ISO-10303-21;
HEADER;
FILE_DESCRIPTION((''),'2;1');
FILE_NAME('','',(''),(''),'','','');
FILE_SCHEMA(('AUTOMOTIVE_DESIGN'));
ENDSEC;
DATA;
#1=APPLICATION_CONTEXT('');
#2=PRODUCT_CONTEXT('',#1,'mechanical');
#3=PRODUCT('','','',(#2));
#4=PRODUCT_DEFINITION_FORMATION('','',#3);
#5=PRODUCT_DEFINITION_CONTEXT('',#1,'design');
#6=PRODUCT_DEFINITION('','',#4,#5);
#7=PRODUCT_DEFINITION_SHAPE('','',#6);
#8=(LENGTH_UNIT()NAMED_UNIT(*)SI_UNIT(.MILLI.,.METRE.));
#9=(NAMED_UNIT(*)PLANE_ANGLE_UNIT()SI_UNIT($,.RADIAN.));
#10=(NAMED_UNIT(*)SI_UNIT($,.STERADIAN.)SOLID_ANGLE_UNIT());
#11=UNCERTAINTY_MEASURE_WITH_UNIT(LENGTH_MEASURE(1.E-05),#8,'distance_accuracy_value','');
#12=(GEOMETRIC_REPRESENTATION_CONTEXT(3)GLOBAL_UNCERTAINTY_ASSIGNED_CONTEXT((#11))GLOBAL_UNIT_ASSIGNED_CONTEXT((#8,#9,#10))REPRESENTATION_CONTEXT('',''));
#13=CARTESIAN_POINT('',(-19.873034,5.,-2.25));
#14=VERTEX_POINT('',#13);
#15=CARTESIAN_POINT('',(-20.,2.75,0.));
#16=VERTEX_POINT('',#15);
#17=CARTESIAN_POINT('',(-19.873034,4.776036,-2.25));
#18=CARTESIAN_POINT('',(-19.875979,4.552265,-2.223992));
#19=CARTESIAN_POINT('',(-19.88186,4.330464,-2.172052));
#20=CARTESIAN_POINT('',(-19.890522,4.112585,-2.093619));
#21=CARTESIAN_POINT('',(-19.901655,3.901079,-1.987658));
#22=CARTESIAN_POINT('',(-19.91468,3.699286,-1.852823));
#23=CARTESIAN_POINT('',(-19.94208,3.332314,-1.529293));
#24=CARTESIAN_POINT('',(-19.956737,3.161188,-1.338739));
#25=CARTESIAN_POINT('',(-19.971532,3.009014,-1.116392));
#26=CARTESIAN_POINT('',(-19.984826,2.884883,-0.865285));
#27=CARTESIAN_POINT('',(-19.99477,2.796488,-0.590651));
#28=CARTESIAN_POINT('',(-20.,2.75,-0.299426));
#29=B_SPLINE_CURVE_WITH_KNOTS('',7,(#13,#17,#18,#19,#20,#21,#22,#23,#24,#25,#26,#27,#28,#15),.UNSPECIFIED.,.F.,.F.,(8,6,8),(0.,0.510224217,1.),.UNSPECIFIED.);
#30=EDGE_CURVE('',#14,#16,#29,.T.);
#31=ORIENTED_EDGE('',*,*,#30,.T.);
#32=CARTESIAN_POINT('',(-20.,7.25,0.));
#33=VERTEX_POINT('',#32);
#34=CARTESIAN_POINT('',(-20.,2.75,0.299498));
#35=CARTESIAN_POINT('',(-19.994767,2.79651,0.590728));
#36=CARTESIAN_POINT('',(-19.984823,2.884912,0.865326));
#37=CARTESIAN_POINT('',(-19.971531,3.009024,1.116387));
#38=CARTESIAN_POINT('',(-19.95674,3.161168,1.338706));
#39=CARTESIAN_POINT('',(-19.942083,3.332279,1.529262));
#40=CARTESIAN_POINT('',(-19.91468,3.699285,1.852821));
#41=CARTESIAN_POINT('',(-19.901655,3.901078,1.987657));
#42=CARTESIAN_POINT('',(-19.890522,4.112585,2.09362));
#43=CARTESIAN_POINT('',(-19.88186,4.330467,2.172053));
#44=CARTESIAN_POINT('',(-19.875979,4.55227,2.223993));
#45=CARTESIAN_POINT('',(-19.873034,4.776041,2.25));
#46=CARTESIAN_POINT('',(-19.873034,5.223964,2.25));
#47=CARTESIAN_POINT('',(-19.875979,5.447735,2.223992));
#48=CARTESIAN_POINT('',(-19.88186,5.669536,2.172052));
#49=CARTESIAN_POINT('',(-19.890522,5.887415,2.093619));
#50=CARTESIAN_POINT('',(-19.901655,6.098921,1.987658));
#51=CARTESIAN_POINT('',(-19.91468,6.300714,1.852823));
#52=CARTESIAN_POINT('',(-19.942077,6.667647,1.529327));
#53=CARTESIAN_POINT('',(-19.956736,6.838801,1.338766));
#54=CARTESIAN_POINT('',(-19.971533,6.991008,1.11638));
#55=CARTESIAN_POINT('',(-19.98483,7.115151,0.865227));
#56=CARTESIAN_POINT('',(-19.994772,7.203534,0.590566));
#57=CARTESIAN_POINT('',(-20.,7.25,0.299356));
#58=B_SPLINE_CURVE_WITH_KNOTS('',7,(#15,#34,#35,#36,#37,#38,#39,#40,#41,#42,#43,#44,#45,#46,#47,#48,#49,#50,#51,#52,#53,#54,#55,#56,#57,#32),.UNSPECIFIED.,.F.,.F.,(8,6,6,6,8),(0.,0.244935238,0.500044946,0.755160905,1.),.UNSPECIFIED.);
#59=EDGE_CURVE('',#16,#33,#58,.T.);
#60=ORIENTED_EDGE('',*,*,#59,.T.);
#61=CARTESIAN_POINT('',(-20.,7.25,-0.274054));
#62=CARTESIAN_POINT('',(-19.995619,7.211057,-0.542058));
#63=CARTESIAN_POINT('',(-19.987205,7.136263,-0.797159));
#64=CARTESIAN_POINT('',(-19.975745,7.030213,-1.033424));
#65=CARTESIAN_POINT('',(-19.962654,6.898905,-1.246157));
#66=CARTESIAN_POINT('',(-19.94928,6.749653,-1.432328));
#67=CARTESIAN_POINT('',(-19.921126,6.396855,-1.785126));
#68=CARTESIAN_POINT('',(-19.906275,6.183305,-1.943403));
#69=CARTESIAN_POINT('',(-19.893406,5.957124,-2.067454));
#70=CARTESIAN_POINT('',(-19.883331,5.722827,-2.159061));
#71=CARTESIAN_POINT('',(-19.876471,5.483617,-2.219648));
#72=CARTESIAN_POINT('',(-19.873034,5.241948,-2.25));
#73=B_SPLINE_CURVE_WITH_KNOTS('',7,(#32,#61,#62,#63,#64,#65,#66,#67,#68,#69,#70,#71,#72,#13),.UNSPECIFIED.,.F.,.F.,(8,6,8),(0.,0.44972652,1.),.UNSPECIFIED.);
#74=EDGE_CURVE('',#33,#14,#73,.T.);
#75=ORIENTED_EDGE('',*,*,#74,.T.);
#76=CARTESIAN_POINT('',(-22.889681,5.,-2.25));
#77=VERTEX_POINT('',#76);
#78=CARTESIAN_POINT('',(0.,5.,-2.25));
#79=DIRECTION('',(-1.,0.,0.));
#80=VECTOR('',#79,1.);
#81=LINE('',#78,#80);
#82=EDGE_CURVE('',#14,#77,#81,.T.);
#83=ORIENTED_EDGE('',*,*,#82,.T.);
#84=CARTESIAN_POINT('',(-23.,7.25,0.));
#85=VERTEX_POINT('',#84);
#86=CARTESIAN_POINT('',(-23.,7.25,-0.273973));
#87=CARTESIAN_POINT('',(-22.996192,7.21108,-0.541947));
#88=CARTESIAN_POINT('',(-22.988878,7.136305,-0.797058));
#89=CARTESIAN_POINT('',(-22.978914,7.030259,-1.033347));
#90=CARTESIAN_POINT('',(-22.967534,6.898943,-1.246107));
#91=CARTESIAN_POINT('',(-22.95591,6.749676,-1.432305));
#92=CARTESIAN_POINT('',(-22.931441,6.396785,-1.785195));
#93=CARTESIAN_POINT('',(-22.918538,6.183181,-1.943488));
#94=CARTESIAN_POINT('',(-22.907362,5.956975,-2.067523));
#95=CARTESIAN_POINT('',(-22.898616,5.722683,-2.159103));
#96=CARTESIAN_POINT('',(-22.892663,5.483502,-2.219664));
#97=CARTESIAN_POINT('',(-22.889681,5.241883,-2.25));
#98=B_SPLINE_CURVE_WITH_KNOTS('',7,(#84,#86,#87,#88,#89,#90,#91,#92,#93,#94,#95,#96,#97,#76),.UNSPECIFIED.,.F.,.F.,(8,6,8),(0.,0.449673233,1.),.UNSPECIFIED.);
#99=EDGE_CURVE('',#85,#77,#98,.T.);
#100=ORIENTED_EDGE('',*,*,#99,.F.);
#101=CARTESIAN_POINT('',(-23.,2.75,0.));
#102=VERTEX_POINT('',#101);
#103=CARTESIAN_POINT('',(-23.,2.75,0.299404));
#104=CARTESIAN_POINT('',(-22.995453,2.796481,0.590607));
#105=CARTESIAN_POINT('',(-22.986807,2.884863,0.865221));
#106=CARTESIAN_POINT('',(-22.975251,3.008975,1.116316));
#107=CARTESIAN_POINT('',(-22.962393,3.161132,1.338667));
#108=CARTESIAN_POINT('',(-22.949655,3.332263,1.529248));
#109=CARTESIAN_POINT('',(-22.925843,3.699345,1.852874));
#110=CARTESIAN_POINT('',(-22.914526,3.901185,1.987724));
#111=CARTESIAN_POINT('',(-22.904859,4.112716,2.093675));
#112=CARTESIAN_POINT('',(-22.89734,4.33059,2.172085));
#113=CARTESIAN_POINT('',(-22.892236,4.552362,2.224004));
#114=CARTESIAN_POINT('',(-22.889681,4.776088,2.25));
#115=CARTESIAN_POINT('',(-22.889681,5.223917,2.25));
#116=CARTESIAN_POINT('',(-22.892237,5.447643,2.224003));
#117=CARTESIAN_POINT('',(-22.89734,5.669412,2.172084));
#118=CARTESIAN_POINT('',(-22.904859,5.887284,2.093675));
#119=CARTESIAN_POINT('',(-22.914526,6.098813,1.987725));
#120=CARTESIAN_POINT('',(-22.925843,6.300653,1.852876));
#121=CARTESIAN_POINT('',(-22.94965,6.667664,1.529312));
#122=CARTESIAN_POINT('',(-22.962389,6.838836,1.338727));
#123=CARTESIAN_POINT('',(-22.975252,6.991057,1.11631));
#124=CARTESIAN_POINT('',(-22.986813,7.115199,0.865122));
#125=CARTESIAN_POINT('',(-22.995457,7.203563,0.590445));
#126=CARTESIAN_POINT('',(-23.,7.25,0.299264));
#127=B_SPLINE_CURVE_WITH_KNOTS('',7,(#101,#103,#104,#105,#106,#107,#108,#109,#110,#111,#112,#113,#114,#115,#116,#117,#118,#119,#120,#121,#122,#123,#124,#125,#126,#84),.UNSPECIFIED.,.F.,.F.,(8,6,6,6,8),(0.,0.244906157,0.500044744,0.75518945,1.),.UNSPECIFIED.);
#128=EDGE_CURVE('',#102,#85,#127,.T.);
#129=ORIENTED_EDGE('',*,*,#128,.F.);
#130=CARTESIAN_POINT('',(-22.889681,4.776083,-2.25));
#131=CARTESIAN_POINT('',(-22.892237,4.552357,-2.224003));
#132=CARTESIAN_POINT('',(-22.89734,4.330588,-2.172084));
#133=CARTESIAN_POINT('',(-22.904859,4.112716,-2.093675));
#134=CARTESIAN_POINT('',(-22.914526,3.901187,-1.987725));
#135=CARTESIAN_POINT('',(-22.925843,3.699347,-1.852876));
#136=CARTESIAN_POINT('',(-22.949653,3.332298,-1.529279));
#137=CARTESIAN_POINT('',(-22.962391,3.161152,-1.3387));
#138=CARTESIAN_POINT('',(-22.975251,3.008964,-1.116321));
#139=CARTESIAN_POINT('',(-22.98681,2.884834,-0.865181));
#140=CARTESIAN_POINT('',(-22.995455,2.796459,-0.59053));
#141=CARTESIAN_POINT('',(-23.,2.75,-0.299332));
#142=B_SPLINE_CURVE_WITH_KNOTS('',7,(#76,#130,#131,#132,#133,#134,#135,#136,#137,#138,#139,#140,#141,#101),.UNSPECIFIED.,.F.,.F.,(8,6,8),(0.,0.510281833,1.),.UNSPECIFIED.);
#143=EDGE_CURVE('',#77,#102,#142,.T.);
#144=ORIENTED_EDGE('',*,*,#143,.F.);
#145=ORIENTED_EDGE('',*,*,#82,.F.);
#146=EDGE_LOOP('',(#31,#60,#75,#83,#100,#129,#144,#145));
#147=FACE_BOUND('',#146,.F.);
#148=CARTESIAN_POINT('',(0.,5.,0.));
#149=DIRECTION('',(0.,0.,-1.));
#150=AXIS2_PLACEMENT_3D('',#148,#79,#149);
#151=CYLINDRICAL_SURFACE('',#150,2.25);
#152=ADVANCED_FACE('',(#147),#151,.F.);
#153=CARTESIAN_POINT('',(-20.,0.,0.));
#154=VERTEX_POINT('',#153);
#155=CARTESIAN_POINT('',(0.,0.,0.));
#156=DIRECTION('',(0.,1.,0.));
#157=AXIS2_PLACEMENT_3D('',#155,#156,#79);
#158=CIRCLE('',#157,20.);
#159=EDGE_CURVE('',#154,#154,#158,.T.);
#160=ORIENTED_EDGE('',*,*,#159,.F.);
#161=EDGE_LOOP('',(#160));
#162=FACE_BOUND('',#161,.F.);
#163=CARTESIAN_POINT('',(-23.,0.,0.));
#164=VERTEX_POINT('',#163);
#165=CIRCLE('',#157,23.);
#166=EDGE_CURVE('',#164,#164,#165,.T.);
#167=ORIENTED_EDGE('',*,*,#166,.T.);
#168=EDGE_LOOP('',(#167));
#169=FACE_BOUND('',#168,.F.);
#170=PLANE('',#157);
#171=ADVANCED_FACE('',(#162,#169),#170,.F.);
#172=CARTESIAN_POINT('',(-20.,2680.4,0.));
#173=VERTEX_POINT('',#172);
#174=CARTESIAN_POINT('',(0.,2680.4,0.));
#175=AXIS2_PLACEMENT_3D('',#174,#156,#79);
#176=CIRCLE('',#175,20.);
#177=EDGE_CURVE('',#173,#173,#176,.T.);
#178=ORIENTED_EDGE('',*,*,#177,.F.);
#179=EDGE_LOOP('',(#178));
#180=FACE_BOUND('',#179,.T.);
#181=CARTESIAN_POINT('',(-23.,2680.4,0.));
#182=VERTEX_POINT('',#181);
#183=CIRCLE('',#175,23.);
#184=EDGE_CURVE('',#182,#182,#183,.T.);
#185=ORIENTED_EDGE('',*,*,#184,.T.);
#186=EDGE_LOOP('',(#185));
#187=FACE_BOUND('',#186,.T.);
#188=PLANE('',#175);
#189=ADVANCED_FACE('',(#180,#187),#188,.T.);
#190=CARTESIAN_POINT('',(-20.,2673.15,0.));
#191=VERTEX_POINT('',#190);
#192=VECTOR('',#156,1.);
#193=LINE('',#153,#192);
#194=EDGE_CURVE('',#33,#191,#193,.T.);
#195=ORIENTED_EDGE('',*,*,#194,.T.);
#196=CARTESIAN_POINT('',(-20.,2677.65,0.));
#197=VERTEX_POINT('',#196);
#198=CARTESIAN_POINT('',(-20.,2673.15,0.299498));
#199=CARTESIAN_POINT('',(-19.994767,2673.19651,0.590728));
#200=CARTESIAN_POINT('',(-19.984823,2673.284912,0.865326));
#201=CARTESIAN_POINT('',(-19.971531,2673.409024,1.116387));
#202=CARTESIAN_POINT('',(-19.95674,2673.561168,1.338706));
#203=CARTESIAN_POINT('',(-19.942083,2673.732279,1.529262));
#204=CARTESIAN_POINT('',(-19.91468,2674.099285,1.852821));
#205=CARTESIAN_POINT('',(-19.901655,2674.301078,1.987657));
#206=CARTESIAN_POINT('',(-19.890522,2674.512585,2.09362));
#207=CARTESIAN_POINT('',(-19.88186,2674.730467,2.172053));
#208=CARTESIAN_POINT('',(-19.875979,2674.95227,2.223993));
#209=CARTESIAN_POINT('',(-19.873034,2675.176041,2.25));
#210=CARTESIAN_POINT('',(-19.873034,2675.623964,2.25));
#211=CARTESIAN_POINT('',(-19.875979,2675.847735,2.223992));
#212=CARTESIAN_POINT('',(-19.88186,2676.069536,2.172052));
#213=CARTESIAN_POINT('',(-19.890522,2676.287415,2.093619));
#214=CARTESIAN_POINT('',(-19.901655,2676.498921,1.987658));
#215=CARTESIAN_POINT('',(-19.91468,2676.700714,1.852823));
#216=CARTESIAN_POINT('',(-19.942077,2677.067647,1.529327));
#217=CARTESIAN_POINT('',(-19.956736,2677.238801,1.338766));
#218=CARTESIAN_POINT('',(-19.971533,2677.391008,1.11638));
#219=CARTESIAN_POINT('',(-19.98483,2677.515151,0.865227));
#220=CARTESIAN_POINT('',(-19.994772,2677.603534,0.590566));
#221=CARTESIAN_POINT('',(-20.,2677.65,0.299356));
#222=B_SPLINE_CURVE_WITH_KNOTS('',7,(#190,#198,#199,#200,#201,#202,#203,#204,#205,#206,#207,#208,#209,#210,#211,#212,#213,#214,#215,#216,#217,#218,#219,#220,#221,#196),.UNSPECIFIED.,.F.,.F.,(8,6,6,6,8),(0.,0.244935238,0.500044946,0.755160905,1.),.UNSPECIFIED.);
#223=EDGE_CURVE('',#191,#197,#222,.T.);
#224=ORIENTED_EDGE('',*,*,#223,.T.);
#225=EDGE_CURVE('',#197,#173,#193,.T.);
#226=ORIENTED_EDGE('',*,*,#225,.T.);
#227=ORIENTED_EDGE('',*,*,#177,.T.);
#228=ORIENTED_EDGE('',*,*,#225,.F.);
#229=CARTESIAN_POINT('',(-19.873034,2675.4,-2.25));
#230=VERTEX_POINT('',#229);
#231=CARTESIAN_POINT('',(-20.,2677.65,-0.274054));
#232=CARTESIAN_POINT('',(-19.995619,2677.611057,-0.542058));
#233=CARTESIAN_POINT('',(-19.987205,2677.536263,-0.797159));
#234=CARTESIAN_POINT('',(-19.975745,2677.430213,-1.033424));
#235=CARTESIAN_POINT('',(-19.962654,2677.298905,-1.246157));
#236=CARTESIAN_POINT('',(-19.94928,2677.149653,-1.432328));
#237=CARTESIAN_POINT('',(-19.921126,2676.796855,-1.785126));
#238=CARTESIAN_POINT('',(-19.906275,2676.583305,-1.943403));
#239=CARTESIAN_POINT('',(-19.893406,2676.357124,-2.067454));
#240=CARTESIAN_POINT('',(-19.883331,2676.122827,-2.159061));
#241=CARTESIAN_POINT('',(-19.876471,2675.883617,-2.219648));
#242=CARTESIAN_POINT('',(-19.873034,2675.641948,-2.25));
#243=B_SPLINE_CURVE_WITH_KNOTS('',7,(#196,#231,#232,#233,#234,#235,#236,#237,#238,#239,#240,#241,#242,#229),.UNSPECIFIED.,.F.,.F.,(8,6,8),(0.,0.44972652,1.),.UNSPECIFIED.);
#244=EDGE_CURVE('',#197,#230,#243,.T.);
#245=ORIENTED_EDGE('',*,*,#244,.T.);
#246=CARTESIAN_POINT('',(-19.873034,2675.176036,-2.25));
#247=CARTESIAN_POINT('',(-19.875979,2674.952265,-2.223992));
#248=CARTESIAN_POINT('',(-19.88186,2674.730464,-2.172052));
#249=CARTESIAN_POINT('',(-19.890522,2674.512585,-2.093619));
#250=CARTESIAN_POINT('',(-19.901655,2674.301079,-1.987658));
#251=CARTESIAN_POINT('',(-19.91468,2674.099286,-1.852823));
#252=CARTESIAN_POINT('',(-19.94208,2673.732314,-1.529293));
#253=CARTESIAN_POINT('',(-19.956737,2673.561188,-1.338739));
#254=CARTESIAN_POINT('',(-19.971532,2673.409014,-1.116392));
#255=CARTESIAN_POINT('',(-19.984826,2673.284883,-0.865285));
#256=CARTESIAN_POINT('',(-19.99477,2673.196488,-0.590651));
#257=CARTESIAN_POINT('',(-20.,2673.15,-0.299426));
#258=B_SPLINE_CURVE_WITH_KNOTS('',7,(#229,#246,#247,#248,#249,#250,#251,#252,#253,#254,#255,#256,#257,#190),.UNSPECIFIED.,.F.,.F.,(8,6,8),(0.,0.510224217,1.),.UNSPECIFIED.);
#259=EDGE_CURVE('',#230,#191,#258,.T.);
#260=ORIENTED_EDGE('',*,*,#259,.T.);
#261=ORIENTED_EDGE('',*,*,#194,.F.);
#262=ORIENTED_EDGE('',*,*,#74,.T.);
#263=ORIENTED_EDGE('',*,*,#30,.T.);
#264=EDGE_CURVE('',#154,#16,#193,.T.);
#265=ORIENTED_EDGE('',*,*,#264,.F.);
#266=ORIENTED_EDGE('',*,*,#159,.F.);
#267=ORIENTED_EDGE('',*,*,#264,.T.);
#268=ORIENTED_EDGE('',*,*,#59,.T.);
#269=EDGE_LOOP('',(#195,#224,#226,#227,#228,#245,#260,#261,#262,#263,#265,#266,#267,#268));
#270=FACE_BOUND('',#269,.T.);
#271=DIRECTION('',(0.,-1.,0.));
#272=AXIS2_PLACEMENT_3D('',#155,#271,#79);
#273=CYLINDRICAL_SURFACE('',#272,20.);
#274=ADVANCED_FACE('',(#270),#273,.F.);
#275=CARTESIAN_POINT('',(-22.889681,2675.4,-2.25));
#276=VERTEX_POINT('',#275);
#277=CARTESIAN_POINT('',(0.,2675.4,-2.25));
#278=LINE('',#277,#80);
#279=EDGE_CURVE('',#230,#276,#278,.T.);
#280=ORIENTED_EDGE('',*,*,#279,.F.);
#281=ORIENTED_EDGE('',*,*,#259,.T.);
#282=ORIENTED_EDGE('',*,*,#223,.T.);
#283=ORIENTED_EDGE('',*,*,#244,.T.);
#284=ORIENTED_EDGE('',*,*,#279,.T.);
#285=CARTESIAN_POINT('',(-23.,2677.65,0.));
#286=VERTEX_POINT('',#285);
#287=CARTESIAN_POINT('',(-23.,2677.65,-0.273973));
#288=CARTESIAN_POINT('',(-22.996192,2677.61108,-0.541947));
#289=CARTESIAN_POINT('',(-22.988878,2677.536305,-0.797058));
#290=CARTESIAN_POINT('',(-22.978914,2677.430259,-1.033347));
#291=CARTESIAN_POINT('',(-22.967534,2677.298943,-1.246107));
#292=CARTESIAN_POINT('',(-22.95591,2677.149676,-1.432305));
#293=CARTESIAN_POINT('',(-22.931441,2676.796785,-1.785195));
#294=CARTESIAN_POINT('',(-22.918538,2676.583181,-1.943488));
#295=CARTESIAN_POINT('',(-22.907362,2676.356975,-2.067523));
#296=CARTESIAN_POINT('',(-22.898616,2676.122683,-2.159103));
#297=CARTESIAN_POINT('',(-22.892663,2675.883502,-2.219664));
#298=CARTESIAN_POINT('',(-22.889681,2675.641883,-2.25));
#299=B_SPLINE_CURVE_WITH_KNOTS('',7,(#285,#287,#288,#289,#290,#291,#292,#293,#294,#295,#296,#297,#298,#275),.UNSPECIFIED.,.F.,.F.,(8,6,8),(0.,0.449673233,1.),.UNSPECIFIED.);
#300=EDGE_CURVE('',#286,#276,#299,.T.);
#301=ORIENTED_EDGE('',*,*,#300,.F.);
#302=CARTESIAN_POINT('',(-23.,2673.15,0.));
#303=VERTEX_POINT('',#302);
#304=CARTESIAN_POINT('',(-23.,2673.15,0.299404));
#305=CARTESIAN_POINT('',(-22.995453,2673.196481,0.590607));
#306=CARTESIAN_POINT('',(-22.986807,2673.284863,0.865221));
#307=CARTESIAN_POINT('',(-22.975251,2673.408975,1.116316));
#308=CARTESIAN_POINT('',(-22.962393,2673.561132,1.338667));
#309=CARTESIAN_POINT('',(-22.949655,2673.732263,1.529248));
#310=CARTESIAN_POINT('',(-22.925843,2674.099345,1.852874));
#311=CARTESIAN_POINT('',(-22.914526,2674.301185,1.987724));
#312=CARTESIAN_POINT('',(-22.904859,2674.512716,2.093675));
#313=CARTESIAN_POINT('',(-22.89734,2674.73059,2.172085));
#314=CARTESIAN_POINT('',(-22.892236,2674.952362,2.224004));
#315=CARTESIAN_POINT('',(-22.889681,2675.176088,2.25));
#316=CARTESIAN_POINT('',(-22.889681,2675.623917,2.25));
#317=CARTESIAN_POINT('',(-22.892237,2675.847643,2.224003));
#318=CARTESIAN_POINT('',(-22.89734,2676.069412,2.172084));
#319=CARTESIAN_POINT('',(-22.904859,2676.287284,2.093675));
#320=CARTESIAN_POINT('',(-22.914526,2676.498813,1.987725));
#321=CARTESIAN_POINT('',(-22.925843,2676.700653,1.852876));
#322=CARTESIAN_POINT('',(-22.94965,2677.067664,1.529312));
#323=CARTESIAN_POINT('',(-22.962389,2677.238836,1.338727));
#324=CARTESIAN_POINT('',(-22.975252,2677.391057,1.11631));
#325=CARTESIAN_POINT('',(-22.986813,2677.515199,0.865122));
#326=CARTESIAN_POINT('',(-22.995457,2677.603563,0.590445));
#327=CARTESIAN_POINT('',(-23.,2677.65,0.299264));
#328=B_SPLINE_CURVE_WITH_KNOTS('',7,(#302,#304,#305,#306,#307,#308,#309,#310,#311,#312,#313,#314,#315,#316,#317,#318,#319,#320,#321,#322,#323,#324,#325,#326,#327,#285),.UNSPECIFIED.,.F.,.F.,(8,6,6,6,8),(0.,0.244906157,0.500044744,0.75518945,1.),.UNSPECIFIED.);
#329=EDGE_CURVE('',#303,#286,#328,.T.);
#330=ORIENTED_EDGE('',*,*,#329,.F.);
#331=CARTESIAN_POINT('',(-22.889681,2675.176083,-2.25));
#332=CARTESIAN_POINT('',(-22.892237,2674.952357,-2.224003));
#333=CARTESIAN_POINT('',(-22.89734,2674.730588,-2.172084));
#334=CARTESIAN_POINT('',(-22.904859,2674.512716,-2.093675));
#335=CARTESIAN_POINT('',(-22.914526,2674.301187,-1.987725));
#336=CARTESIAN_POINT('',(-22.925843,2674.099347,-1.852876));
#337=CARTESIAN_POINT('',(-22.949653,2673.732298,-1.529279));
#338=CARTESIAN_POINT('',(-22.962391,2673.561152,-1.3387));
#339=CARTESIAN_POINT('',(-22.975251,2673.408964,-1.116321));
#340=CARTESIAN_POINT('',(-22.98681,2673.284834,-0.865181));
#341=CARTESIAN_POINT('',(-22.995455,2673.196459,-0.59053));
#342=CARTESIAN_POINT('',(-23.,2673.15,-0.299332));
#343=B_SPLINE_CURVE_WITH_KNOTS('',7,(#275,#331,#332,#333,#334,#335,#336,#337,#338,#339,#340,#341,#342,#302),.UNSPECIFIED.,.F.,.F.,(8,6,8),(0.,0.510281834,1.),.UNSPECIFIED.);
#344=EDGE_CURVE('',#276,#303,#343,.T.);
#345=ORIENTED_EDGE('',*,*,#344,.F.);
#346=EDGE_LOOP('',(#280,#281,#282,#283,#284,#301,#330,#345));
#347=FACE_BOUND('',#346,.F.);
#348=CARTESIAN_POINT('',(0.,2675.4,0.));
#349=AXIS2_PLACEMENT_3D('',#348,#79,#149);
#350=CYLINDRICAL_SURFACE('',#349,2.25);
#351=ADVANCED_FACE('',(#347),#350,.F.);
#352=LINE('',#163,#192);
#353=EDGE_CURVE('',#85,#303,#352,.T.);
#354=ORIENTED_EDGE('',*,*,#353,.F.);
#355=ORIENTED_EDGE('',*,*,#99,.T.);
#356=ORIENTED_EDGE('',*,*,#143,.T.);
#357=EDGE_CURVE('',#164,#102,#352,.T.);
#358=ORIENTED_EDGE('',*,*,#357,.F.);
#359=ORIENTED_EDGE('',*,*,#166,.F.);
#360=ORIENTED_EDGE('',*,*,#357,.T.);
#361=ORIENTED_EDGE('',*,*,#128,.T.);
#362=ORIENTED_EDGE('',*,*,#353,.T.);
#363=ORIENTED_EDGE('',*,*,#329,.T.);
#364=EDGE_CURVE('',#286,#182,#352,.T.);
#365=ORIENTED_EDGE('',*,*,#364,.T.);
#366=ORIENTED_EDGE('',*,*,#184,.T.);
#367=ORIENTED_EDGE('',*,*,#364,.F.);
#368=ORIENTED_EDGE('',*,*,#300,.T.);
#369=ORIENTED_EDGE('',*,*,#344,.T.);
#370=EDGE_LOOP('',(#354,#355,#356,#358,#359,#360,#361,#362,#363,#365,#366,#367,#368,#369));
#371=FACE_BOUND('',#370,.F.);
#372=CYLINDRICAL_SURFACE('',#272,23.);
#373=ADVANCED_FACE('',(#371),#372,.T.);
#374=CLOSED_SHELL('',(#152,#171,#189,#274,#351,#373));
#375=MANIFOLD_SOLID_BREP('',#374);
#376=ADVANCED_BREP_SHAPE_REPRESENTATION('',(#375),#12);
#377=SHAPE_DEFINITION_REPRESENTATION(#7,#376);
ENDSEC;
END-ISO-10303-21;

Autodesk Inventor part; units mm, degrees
ref_plane "YZ Plane" through (0, 0, 0) normal (1, 0, 0) x (0, 1, 0)
ref_plane "XZ Plane" through (0, 0, 0) normal (0, 1, 0) x (-1, 0, 0)
ref_plane "XY Plane" through (0, 0, 0) normal (0, 0, 1) x (1, 0, 0)
sketch "Sketch1" plane through (0, 0, 0) normal (0, 1, 0) x (-1, 0, 0)
  circle A0 centre (0, 0) radius 23
  circle A1 centre (0, 0) radius 20
  dimension "d0" = 3
  dimension "d1" = 40
extrude "Extrusion1" add sketch "Sketch1" along normal blind 2680.4
sketch "Sketch2" plane through (0, 0, 0) normal (0, 0, 1) x (1, 0, 0)
  line L0 (23, 2680.4) -> (-23, 2680.4) projected
  point P0 (0, 0)
  point P1 (0, 2673.4)
  point P2 (0, 2680.4)
  dimension "d4" = 7
hole "Hole1" [suppressed]
sketch3d "3D Sketch1"
sketch "Sketch3" plane through (0, 0, 0) normal (0, -1, 0) x (1, 0, 0)
  circle A0 centre (0, 0) radius 20 projected
  circle A1 centre (0, 0) radius 23 projected
sweep "Sweep1" [suppressed]
sketch "Sketch4" plane through (162.5, -96, -92.5) normal (0, 0, -1) x (-1, 0, 0)
  circle A0 centre (0, 0) radius 23 projected
  point P0 (162.5, 96)
  point P1 (-19.7108, -3.389)
  point P2 (-22.6674, -3.8973)
extrude "Extrusion2" [suppressed]
sketch "Sketch5" plane through (0, 0, 0) normal (0, -1, 0) x (1, 0, 0)
  circle A0 centre (0, 0) radius 20 projected
  circle A1 centre (0, 0) radius 23 projected
sketch3d "3D Sketch2"
sweep "Sweep2" [suppressed]
sketch "Sketch6" plane through (0, -160, 405) normal (0, -1, 0) x (1, 0, 0)
  circle A0 centre (0, 0) radius 23 projected
  point P0 (0, -405)
  point P1 (20, 0)
  point P2 (23, 0)
extrude "Extrusion3" [suppressed]
sketch "Sketch7" plane through (0, 0, 0) normal (1, 0, 0) x (0, 1, 0)
  line L0 (0, 23) -> (0, -23) projected
  line L1 (2680.4, -23) -> (2680.4, 23) projected
  point P0 (0, 0)
  point P1 (5, 0)
  point P2 (2675.4, 0)
  dimension "d35" = 5
  dimension "d36" = 5
hole "Hole2" at (0, 5, 0) at (0, 2675.4, 0) direction (-1, 0, 0) diameter 4.5 end through all
properties part number "Top_End Pipe 1" material "PMMA Plastic"
